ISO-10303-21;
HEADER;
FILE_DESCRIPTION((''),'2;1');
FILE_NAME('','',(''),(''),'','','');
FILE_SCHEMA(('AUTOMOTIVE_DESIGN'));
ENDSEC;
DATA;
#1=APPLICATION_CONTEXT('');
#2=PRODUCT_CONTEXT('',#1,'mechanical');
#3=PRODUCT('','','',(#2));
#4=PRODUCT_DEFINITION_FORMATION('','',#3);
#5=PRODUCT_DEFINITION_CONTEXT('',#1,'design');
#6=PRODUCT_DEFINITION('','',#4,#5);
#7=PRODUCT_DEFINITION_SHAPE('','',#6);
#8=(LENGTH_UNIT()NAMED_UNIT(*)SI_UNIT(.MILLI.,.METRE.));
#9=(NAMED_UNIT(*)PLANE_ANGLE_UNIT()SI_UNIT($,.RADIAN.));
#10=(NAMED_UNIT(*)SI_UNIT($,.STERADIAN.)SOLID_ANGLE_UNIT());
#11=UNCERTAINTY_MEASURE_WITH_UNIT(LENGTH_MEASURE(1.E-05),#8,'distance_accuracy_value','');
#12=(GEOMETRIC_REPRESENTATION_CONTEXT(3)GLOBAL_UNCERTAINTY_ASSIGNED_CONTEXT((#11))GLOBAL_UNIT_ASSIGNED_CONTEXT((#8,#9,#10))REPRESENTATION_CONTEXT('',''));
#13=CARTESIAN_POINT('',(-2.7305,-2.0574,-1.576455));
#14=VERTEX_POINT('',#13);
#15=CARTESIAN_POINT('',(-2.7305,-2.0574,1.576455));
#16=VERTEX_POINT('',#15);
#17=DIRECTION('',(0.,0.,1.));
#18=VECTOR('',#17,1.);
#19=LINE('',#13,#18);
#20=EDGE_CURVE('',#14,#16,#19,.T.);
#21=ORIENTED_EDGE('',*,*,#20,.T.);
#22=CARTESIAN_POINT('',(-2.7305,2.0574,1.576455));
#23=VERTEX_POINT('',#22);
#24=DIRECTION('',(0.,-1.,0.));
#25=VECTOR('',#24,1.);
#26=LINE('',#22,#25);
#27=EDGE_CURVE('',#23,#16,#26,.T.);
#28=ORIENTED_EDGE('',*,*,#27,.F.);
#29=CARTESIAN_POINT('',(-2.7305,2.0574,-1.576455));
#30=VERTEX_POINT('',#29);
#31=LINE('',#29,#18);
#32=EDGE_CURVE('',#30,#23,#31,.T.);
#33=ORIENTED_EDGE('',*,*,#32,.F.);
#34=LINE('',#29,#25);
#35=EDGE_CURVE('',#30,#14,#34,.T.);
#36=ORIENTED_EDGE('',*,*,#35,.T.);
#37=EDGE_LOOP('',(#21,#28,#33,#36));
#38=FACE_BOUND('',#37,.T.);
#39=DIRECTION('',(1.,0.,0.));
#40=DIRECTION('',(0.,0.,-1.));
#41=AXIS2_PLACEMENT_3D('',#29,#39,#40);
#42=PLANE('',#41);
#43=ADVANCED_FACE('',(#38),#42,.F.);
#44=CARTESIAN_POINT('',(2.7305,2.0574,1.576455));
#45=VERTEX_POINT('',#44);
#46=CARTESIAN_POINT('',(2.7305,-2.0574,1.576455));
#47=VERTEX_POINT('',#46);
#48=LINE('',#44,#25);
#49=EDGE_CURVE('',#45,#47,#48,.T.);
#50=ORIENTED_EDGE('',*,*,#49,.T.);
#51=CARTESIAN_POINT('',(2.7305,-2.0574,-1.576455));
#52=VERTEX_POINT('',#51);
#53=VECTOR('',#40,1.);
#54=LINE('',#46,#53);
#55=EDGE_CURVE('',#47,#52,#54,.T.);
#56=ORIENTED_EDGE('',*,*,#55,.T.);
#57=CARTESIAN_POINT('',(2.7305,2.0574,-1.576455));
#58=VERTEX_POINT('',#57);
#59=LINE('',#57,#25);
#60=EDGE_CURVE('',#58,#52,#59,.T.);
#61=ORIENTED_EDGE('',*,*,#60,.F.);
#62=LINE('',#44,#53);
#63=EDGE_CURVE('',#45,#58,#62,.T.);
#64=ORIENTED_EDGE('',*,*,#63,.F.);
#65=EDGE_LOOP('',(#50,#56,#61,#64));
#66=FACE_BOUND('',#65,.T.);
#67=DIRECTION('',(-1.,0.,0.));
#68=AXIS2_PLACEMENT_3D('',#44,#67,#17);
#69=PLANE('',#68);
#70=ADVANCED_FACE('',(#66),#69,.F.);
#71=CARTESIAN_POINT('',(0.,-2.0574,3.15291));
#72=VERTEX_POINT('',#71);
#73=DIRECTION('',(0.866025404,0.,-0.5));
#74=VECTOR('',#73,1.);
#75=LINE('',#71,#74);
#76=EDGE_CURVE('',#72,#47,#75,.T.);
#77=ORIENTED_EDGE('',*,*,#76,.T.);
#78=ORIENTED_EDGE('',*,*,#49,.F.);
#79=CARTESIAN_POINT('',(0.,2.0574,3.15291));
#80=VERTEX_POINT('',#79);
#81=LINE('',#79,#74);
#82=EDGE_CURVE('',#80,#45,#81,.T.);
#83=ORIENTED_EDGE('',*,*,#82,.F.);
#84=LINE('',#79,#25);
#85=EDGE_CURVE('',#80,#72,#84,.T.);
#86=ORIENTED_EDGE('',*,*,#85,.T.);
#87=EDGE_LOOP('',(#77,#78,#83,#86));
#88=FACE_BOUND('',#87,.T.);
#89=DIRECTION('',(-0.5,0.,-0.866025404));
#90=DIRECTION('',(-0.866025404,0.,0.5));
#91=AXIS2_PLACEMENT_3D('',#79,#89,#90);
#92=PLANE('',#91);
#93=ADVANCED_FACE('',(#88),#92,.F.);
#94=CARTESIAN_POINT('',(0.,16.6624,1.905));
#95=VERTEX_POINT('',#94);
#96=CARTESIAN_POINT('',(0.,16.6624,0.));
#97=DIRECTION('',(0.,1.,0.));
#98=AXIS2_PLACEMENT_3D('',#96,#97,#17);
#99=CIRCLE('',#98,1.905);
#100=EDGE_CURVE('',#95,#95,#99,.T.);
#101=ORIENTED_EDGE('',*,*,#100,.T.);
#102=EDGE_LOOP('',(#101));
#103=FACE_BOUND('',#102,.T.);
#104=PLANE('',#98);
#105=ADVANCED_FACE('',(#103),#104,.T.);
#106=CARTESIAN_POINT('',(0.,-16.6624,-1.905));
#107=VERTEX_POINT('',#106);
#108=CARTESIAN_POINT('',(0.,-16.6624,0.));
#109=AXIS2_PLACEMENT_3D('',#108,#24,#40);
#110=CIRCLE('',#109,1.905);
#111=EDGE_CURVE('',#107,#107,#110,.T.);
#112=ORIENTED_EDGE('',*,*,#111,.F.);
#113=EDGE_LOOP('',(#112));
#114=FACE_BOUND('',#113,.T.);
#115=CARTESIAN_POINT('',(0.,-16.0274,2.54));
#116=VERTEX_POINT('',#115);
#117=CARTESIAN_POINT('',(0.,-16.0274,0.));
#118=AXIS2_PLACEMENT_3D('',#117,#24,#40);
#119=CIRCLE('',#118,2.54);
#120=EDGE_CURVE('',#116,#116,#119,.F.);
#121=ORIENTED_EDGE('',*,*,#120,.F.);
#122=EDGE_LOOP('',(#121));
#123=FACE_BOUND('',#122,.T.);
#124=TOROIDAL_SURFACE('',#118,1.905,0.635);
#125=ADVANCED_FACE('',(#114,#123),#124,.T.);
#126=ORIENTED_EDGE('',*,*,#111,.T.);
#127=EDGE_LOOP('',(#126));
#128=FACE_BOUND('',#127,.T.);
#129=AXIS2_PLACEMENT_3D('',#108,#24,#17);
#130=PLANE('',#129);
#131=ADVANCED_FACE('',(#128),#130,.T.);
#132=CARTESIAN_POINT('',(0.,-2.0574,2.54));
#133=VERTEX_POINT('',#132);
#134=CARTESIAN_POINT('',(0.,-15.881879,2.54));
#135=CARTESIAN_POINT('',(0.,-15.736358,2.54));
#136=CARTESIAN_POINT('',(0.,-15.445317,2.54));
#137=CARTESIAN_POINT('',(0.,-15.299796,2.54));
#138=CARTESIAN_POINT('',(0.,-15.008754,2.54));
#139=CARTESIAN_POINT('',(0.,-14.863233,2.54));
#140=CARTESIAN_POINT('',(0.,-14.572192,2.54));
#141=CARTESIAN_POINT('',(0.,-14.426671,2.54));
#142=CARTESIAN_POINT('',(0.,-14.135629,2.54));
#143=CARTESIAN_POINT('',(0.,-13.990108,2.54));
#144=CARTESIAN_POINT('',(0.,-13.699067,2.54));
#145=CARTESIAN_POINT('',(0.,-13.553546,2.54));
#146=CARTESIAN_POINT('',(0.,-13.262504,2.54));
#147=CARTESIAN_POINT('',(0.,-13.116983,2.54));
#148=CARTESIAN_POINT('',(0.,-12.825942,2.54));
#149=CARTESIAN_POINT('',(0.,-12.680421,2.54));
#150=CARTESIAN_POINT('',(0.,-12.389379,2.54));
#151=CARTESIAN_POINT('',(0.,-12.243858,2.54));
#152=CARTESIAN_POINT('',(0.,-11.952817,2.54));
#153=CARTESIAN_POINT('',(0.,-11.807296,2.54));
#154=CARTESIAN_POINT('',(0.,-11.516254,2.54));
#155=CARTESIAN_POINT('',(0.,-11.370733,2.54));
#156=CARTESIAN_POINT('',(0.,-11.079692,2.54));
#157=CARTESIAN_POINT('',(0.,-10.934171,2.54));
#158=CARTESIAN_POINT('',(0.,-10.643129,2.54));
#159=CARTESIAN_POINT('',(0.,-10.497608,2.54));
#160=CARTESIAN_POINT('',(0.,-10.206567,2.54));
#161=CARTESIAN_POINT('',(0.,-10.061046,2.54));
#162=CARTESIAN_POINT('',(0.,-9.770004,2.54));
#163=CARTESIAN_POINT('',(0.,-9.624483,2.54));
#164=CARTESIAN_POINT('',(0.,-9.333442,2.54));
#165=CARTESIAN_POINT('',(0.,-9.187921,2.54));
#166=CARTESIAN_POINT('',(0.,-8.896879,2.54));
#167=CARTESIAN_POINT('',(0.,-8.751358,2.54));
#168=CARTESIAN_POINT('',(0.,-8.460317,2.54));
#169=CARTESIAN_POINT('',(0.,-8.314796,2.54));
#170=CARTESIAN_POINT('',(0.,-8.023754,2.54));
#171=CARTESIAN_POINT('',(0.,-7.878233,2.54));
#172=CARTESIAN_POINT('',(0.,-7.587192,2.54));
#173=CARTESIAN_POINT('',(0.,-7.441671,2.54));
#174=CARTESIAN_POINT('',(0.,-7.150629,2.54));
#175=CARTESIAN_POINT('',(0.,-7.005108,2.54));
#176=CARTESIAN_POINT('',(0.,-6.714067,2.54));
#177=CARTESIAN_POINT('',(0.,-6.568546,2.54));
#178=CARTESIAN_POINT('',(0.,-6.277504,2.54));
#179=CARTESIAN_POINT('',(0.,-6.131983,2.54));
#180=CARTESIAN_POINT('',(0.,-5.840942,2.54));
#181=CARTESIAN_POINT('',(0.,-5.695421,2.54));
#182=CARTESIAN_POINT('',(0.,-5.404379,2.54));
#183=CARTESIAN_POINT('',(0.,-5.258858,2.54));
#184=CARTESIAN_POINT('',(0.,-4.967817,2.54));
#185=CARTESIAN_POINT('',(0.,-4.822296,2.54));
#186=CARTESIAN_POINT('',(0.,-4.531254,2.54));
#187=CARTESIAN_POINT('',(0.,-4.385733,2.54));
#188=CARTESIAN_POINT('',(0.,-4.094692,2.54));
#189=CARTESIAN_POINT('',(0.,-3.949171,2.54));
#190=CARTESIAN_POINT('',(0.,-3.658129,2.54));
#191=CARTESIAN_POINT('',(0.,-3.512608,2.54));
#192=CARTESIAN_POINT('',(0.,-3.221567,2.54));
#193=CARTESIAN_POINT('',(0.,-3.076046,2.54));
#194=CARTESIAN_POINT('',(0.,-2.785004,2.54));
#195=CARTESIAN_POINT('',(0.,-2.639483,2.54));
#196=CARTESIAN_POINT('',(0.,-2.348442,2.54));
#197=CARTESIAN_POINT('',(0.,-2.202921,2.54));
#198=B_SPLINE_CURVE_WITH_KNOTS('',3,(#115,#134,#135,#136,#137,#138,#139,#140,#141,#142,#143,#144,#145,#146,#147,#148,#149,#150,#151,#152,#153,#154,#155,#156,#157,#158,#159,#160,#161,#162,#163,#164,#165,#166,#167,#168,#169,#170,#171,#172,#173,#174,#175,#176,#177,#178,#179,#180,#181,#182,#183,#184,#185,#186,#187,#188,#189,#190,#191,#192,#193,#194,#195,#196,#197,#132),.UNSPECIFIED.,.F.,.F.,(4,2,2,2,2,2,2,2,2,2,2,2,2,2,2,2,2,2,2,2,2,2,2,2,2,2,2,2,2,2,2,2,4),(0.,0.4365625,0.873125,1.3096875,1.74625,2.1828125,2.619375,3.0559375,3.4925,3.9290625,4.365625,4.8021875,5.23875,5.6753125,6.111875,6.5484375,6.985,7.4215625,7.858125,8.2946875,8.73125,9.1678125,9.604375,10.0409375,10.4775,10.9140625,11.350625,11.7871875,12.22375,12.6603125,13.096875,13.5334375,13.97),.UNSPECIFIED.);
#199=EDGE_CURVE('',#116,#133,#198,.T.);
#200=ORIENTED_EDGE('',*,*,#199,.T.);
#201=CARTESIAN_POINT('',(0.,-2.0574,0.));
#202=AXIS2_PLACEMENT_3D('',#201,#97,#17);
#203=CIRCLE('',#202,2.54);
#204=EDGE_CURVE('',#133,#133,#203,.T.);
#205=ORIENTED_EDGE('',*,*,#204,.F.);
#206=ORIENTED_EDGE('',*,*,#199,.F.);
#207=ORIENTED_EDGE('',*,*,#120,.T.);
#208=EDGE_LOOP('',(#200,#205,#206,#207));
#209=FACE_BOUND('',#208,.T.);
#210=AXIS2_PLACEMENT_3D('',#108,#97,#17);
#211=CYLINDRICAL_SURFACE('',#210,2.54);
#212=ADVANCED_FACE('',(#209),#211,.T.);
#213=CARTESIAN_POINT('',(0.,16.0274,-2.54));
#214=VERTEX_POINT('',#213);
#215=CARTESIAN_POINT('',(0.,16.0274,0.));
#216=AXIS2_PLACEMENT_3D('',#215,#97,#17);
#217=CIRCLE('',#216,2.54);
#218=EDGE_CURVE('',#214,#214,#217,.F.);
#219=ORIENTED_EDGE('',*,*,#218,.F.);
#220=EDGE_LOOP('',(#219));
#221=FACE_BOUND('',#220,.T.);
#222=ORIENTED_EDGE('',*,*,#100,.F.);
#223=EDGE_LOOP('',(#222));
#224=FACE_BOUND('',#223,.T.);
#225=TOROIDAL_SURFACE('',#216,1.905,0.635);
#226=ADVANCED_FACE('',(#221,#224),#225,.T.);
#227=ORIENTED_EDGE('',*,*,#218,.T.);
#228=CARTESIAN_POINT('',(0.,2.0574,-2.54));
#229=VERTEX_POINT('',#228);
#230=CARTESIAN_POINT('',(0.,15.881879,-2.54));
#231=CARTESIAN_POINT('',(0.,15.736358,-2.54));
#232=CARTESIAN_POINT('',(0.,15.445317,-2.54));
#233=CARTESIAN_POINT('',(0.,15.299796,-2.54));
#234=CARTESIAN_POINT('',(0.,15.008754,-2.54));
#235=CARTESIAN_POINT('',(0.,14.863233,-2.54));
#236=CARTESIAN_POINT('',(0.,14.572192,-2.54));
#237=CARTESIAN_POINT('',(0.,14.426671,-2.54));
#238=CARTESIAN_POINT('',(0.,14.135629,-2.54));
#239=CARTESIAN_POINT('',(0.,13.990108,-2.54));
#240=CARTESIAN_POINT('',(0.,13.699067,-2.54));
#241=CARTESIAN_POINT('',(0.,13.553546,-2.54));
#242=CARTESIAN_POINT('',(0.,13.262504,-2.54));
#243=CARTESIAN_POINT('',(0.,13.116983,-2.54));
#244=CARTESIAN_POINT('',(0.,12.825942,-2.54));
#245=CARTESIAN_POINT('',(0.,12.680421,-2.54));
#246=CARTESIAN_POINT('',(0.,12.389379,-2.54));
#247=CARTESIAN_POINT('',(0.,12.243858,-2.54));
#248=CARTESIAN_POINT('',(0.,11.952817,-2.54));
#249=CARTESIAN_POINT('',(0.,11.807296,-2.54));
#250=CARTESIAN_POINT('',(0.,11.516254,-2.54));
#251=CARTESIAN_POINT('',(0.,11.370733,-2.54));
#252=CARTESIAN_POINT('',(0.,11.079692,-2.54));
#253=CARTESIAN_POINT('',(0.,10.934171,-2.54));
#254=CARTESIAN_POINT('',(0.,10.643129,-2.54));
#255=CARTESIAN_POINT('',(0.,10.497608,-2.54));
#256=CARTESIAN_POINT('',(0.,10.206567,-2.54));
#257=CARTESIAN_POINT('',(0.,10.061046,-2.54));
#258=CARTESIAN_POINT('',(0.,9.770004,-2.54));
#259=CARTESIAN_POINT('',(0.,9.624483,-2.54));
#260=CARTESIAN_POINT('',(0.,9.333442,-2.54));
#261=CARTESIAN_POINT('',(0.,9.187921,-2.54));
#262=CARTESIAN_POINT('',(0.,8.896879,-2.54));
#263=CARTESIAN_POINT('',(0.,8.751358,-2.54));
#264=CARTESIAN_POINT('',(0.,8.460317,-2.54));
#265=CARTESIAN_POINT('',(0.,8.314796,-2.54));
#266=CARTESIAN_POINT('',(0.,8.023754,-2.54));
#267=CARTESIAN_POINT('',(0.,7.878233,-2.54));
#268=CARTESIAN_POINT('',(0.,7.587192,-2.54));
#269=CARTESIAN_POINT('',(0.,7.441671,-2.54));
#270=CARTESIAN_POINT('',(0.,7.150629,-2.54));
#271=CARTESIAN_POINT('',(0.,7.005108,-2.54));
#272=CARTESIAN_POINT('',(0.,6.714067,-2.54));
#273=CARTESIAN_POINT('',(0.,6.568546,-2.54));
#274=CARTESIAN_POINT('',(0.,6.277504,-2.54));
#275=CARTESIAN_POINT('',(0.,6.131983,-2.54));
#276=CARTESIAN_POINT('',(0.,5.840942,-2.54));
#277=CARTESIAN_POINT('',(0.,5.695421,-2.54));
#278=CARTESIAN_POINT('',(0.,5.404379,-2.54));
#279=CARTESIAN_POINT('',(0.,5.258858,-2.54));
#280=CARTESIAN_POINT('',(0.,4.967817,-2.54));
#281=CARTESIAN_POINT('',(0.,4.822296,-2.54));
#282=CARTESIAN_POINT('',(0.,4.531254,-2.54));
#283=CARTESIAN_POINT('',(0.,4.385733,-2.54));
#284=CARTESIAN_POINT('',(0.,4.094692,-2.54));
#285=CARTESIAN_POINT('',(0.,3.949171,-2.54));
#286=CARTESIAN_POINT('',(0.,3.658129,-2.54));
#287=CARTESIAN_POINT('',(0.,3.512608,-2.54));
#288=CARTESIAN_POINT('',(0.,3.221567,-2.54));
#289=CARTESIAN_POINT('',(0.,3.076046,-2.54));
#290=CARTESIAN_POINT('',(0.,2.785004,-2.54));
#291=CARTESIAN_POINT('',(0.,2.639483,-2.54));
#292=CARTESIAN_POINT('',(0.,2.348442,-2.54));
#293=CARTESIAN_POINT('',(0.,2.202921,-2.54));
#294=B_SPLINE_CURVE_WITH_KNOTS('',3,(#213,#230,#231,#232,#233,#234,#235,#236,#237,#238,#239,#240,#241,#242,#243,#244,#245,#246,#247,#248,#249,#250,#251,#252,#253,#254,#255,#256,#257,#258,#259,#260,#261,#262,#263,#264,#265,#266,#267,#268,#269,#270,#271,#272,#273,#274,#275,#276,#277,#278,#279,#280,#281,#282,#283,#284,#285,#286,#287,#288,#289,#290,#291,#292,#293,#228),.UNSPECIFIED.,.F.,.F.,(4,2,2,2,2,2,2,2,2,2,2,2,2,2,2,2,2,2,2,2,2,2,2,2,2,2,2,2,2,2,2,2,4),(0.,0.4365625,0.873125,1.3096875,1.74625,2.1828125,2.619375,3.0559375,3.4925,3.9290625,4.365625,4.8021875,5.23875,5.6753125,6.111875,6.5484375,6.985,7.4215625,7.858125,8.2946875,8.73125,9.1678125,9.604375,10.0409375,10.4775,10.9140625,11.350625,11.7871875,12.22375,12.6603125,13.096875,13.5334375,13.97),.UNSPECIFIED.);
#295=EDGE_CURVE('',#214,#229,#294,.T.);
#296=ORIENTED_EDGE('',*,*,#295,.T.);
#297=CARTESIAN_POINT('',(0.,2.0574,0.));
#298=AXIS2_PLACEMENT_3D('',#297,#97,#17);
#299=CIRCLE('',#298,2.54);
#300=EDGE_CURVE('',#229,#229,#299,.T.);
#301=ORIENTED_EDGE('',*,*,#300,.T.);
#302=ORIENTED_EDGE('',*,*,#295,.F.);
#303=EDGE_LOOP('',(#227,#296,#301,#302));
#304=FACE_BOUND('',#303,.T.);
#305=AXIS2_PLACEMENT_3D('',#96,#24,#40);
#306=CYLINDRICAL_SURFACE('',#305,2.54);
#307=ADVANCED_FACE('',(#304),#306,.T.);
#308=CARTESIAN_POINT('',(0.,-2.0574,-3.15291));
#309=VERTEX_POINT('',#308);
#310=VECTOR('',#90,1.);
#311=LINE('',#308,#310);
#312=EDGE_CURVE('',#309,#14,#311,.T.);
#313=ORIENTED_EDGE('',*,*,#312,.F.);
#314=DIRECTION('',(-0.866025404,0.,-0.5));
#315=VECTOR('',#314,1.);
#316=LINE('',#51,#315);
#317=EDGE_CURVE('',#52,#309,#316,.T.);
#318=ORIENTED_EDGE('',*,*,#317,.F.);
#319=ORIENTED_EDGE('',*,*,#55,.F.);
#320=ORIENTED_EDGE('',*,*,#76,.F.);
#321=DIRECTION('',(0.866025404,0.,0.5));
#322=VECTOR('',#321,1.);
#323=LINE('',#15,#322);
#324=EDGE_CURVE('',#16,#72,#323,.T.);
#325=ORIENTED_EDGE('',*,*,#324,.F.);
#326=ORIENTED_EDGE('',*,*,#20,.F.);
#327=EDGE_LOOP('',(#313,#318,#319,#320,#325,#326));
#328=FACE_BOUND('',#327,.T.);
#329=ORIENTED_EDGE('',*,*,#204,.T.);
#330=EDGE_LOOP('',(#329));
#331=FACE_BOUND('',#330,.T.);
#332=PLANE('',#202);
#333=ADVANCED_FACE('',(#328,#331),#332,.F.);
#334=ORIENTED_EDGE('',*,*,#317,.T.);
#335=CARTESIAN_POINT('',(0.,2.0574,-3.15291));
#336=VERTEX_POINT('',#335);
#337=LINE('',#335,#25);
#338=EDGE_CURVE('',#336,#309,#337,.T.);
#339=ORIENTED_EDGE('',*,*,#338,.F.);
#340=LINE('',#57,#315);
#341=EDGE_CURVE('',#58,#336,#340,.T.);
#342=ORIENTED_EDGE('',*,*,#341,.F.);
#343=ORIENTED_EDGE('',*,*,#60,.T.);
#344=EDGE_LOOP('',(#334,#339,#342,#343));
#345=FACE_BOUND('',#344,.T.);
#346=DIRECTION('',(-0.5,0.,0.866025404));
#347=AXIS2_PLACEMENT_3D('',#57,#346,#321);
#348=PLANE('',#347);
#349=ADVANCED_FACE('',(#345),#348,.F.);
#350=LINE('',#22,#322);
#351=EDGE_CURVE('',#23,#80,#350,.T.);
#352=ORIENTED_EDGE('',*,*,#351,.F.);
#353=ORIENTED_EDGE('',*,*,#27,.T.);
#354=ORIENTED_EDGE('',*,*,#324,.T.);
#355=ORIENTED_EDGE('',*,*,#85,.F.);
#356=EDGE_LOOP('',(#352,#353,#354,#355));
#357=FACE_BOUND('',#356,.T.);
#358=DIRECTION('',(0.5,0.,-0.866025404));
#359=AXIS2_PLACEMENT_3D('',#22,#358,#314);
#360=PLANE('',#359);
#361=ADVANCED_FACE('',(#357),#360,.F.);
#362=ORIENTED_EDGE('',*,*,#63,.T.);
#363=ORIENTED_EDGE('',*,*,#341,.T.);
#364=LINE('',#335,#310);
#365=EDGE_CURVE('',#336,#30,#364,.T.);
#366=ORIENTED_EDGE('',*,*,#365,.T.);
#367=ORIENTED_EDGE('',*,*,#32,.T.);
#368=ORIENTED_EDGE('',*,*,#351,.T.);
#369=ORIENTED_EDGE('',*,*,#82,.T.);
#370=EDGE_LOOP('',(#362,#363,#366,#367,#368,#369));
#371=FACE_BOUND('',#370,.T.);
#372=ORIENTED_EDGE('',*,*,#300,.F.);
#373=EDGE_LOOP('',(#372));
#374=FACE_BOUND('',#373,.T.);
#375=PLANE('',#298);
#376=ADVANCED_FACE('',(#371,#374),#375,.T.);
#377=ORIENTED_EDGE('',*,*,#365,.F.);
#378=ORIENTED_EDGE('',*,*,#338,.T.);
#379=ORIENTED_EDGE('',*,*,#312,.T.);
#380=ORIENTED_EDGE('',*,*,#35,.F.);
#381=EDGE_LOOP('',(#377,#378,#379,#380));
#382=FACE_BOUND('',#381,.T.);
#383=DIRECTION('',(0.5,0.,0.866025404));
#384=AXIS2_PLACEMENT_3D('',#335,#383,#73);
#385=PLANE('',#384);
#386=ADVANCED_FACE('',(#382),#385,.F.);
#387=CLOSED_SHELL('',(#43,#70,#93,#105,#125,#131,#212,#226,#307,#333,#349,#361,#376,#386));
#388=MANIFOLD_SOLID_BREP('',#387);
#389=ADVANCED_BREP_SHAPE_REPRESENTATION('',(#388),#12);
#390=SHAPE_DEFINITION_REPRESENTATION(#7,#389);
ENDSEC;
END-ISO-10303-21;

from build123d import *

# Parameters (mm, degrees)
BOSS_EXTRUDE1_DEPTH = 2.0574
SKETCH2_R           = 2.54
BOSS_EXTRUDE2_DEPTH = 14.605
FILLET1_R           = 0.635


with BuildPart() as part:
    # Sketch1 → Boss-Extrude1 (new, symmetric)
    with BuildSketch(Plane(origin=(0, 0, 0), x_dir=(1, 0, 0), z_dir=(0, 1, 0))):
        Polygon((-2.7305, -1.57645491), (0, -3.15290982), (2.7305, -1.57645491), (2.7305, 1.57645491), (0, 3.15290982), (-2.7305, 1.57645491), align=None)
    extrude(amount=BOSS_EXTRUDE1_DEPTH, both=True)

    # Sketch2 → Boss-Extrude2 (add)
    with BuildSketch(Plane(origin=(0, 2.0574, 0), x_dir=(1, 0, 0), z_dir=(0, 1, 0))):
        with Locations(Location((0, 0, 0), (0, 0, 90))):
            Circle(SKETCH2_R)
    boss_extrude2 = extrude(amount=BOSS_EXTRUDE2_DEPTH)

    # Mirror1: Boss-Extrude2 across plane
    add(boss_extrude2.mirror(Plane.ZX))

    # Fillet1
    fillet1_edges = [part.edges().sort_by_distance(p)[0] for p in [
        (0, 16.6624, 2.54),
        (0, -16.6624, 2.54),
    ]]
    fillet(fillet1_edges, radius=FILLET1_R)


solid = part.part
